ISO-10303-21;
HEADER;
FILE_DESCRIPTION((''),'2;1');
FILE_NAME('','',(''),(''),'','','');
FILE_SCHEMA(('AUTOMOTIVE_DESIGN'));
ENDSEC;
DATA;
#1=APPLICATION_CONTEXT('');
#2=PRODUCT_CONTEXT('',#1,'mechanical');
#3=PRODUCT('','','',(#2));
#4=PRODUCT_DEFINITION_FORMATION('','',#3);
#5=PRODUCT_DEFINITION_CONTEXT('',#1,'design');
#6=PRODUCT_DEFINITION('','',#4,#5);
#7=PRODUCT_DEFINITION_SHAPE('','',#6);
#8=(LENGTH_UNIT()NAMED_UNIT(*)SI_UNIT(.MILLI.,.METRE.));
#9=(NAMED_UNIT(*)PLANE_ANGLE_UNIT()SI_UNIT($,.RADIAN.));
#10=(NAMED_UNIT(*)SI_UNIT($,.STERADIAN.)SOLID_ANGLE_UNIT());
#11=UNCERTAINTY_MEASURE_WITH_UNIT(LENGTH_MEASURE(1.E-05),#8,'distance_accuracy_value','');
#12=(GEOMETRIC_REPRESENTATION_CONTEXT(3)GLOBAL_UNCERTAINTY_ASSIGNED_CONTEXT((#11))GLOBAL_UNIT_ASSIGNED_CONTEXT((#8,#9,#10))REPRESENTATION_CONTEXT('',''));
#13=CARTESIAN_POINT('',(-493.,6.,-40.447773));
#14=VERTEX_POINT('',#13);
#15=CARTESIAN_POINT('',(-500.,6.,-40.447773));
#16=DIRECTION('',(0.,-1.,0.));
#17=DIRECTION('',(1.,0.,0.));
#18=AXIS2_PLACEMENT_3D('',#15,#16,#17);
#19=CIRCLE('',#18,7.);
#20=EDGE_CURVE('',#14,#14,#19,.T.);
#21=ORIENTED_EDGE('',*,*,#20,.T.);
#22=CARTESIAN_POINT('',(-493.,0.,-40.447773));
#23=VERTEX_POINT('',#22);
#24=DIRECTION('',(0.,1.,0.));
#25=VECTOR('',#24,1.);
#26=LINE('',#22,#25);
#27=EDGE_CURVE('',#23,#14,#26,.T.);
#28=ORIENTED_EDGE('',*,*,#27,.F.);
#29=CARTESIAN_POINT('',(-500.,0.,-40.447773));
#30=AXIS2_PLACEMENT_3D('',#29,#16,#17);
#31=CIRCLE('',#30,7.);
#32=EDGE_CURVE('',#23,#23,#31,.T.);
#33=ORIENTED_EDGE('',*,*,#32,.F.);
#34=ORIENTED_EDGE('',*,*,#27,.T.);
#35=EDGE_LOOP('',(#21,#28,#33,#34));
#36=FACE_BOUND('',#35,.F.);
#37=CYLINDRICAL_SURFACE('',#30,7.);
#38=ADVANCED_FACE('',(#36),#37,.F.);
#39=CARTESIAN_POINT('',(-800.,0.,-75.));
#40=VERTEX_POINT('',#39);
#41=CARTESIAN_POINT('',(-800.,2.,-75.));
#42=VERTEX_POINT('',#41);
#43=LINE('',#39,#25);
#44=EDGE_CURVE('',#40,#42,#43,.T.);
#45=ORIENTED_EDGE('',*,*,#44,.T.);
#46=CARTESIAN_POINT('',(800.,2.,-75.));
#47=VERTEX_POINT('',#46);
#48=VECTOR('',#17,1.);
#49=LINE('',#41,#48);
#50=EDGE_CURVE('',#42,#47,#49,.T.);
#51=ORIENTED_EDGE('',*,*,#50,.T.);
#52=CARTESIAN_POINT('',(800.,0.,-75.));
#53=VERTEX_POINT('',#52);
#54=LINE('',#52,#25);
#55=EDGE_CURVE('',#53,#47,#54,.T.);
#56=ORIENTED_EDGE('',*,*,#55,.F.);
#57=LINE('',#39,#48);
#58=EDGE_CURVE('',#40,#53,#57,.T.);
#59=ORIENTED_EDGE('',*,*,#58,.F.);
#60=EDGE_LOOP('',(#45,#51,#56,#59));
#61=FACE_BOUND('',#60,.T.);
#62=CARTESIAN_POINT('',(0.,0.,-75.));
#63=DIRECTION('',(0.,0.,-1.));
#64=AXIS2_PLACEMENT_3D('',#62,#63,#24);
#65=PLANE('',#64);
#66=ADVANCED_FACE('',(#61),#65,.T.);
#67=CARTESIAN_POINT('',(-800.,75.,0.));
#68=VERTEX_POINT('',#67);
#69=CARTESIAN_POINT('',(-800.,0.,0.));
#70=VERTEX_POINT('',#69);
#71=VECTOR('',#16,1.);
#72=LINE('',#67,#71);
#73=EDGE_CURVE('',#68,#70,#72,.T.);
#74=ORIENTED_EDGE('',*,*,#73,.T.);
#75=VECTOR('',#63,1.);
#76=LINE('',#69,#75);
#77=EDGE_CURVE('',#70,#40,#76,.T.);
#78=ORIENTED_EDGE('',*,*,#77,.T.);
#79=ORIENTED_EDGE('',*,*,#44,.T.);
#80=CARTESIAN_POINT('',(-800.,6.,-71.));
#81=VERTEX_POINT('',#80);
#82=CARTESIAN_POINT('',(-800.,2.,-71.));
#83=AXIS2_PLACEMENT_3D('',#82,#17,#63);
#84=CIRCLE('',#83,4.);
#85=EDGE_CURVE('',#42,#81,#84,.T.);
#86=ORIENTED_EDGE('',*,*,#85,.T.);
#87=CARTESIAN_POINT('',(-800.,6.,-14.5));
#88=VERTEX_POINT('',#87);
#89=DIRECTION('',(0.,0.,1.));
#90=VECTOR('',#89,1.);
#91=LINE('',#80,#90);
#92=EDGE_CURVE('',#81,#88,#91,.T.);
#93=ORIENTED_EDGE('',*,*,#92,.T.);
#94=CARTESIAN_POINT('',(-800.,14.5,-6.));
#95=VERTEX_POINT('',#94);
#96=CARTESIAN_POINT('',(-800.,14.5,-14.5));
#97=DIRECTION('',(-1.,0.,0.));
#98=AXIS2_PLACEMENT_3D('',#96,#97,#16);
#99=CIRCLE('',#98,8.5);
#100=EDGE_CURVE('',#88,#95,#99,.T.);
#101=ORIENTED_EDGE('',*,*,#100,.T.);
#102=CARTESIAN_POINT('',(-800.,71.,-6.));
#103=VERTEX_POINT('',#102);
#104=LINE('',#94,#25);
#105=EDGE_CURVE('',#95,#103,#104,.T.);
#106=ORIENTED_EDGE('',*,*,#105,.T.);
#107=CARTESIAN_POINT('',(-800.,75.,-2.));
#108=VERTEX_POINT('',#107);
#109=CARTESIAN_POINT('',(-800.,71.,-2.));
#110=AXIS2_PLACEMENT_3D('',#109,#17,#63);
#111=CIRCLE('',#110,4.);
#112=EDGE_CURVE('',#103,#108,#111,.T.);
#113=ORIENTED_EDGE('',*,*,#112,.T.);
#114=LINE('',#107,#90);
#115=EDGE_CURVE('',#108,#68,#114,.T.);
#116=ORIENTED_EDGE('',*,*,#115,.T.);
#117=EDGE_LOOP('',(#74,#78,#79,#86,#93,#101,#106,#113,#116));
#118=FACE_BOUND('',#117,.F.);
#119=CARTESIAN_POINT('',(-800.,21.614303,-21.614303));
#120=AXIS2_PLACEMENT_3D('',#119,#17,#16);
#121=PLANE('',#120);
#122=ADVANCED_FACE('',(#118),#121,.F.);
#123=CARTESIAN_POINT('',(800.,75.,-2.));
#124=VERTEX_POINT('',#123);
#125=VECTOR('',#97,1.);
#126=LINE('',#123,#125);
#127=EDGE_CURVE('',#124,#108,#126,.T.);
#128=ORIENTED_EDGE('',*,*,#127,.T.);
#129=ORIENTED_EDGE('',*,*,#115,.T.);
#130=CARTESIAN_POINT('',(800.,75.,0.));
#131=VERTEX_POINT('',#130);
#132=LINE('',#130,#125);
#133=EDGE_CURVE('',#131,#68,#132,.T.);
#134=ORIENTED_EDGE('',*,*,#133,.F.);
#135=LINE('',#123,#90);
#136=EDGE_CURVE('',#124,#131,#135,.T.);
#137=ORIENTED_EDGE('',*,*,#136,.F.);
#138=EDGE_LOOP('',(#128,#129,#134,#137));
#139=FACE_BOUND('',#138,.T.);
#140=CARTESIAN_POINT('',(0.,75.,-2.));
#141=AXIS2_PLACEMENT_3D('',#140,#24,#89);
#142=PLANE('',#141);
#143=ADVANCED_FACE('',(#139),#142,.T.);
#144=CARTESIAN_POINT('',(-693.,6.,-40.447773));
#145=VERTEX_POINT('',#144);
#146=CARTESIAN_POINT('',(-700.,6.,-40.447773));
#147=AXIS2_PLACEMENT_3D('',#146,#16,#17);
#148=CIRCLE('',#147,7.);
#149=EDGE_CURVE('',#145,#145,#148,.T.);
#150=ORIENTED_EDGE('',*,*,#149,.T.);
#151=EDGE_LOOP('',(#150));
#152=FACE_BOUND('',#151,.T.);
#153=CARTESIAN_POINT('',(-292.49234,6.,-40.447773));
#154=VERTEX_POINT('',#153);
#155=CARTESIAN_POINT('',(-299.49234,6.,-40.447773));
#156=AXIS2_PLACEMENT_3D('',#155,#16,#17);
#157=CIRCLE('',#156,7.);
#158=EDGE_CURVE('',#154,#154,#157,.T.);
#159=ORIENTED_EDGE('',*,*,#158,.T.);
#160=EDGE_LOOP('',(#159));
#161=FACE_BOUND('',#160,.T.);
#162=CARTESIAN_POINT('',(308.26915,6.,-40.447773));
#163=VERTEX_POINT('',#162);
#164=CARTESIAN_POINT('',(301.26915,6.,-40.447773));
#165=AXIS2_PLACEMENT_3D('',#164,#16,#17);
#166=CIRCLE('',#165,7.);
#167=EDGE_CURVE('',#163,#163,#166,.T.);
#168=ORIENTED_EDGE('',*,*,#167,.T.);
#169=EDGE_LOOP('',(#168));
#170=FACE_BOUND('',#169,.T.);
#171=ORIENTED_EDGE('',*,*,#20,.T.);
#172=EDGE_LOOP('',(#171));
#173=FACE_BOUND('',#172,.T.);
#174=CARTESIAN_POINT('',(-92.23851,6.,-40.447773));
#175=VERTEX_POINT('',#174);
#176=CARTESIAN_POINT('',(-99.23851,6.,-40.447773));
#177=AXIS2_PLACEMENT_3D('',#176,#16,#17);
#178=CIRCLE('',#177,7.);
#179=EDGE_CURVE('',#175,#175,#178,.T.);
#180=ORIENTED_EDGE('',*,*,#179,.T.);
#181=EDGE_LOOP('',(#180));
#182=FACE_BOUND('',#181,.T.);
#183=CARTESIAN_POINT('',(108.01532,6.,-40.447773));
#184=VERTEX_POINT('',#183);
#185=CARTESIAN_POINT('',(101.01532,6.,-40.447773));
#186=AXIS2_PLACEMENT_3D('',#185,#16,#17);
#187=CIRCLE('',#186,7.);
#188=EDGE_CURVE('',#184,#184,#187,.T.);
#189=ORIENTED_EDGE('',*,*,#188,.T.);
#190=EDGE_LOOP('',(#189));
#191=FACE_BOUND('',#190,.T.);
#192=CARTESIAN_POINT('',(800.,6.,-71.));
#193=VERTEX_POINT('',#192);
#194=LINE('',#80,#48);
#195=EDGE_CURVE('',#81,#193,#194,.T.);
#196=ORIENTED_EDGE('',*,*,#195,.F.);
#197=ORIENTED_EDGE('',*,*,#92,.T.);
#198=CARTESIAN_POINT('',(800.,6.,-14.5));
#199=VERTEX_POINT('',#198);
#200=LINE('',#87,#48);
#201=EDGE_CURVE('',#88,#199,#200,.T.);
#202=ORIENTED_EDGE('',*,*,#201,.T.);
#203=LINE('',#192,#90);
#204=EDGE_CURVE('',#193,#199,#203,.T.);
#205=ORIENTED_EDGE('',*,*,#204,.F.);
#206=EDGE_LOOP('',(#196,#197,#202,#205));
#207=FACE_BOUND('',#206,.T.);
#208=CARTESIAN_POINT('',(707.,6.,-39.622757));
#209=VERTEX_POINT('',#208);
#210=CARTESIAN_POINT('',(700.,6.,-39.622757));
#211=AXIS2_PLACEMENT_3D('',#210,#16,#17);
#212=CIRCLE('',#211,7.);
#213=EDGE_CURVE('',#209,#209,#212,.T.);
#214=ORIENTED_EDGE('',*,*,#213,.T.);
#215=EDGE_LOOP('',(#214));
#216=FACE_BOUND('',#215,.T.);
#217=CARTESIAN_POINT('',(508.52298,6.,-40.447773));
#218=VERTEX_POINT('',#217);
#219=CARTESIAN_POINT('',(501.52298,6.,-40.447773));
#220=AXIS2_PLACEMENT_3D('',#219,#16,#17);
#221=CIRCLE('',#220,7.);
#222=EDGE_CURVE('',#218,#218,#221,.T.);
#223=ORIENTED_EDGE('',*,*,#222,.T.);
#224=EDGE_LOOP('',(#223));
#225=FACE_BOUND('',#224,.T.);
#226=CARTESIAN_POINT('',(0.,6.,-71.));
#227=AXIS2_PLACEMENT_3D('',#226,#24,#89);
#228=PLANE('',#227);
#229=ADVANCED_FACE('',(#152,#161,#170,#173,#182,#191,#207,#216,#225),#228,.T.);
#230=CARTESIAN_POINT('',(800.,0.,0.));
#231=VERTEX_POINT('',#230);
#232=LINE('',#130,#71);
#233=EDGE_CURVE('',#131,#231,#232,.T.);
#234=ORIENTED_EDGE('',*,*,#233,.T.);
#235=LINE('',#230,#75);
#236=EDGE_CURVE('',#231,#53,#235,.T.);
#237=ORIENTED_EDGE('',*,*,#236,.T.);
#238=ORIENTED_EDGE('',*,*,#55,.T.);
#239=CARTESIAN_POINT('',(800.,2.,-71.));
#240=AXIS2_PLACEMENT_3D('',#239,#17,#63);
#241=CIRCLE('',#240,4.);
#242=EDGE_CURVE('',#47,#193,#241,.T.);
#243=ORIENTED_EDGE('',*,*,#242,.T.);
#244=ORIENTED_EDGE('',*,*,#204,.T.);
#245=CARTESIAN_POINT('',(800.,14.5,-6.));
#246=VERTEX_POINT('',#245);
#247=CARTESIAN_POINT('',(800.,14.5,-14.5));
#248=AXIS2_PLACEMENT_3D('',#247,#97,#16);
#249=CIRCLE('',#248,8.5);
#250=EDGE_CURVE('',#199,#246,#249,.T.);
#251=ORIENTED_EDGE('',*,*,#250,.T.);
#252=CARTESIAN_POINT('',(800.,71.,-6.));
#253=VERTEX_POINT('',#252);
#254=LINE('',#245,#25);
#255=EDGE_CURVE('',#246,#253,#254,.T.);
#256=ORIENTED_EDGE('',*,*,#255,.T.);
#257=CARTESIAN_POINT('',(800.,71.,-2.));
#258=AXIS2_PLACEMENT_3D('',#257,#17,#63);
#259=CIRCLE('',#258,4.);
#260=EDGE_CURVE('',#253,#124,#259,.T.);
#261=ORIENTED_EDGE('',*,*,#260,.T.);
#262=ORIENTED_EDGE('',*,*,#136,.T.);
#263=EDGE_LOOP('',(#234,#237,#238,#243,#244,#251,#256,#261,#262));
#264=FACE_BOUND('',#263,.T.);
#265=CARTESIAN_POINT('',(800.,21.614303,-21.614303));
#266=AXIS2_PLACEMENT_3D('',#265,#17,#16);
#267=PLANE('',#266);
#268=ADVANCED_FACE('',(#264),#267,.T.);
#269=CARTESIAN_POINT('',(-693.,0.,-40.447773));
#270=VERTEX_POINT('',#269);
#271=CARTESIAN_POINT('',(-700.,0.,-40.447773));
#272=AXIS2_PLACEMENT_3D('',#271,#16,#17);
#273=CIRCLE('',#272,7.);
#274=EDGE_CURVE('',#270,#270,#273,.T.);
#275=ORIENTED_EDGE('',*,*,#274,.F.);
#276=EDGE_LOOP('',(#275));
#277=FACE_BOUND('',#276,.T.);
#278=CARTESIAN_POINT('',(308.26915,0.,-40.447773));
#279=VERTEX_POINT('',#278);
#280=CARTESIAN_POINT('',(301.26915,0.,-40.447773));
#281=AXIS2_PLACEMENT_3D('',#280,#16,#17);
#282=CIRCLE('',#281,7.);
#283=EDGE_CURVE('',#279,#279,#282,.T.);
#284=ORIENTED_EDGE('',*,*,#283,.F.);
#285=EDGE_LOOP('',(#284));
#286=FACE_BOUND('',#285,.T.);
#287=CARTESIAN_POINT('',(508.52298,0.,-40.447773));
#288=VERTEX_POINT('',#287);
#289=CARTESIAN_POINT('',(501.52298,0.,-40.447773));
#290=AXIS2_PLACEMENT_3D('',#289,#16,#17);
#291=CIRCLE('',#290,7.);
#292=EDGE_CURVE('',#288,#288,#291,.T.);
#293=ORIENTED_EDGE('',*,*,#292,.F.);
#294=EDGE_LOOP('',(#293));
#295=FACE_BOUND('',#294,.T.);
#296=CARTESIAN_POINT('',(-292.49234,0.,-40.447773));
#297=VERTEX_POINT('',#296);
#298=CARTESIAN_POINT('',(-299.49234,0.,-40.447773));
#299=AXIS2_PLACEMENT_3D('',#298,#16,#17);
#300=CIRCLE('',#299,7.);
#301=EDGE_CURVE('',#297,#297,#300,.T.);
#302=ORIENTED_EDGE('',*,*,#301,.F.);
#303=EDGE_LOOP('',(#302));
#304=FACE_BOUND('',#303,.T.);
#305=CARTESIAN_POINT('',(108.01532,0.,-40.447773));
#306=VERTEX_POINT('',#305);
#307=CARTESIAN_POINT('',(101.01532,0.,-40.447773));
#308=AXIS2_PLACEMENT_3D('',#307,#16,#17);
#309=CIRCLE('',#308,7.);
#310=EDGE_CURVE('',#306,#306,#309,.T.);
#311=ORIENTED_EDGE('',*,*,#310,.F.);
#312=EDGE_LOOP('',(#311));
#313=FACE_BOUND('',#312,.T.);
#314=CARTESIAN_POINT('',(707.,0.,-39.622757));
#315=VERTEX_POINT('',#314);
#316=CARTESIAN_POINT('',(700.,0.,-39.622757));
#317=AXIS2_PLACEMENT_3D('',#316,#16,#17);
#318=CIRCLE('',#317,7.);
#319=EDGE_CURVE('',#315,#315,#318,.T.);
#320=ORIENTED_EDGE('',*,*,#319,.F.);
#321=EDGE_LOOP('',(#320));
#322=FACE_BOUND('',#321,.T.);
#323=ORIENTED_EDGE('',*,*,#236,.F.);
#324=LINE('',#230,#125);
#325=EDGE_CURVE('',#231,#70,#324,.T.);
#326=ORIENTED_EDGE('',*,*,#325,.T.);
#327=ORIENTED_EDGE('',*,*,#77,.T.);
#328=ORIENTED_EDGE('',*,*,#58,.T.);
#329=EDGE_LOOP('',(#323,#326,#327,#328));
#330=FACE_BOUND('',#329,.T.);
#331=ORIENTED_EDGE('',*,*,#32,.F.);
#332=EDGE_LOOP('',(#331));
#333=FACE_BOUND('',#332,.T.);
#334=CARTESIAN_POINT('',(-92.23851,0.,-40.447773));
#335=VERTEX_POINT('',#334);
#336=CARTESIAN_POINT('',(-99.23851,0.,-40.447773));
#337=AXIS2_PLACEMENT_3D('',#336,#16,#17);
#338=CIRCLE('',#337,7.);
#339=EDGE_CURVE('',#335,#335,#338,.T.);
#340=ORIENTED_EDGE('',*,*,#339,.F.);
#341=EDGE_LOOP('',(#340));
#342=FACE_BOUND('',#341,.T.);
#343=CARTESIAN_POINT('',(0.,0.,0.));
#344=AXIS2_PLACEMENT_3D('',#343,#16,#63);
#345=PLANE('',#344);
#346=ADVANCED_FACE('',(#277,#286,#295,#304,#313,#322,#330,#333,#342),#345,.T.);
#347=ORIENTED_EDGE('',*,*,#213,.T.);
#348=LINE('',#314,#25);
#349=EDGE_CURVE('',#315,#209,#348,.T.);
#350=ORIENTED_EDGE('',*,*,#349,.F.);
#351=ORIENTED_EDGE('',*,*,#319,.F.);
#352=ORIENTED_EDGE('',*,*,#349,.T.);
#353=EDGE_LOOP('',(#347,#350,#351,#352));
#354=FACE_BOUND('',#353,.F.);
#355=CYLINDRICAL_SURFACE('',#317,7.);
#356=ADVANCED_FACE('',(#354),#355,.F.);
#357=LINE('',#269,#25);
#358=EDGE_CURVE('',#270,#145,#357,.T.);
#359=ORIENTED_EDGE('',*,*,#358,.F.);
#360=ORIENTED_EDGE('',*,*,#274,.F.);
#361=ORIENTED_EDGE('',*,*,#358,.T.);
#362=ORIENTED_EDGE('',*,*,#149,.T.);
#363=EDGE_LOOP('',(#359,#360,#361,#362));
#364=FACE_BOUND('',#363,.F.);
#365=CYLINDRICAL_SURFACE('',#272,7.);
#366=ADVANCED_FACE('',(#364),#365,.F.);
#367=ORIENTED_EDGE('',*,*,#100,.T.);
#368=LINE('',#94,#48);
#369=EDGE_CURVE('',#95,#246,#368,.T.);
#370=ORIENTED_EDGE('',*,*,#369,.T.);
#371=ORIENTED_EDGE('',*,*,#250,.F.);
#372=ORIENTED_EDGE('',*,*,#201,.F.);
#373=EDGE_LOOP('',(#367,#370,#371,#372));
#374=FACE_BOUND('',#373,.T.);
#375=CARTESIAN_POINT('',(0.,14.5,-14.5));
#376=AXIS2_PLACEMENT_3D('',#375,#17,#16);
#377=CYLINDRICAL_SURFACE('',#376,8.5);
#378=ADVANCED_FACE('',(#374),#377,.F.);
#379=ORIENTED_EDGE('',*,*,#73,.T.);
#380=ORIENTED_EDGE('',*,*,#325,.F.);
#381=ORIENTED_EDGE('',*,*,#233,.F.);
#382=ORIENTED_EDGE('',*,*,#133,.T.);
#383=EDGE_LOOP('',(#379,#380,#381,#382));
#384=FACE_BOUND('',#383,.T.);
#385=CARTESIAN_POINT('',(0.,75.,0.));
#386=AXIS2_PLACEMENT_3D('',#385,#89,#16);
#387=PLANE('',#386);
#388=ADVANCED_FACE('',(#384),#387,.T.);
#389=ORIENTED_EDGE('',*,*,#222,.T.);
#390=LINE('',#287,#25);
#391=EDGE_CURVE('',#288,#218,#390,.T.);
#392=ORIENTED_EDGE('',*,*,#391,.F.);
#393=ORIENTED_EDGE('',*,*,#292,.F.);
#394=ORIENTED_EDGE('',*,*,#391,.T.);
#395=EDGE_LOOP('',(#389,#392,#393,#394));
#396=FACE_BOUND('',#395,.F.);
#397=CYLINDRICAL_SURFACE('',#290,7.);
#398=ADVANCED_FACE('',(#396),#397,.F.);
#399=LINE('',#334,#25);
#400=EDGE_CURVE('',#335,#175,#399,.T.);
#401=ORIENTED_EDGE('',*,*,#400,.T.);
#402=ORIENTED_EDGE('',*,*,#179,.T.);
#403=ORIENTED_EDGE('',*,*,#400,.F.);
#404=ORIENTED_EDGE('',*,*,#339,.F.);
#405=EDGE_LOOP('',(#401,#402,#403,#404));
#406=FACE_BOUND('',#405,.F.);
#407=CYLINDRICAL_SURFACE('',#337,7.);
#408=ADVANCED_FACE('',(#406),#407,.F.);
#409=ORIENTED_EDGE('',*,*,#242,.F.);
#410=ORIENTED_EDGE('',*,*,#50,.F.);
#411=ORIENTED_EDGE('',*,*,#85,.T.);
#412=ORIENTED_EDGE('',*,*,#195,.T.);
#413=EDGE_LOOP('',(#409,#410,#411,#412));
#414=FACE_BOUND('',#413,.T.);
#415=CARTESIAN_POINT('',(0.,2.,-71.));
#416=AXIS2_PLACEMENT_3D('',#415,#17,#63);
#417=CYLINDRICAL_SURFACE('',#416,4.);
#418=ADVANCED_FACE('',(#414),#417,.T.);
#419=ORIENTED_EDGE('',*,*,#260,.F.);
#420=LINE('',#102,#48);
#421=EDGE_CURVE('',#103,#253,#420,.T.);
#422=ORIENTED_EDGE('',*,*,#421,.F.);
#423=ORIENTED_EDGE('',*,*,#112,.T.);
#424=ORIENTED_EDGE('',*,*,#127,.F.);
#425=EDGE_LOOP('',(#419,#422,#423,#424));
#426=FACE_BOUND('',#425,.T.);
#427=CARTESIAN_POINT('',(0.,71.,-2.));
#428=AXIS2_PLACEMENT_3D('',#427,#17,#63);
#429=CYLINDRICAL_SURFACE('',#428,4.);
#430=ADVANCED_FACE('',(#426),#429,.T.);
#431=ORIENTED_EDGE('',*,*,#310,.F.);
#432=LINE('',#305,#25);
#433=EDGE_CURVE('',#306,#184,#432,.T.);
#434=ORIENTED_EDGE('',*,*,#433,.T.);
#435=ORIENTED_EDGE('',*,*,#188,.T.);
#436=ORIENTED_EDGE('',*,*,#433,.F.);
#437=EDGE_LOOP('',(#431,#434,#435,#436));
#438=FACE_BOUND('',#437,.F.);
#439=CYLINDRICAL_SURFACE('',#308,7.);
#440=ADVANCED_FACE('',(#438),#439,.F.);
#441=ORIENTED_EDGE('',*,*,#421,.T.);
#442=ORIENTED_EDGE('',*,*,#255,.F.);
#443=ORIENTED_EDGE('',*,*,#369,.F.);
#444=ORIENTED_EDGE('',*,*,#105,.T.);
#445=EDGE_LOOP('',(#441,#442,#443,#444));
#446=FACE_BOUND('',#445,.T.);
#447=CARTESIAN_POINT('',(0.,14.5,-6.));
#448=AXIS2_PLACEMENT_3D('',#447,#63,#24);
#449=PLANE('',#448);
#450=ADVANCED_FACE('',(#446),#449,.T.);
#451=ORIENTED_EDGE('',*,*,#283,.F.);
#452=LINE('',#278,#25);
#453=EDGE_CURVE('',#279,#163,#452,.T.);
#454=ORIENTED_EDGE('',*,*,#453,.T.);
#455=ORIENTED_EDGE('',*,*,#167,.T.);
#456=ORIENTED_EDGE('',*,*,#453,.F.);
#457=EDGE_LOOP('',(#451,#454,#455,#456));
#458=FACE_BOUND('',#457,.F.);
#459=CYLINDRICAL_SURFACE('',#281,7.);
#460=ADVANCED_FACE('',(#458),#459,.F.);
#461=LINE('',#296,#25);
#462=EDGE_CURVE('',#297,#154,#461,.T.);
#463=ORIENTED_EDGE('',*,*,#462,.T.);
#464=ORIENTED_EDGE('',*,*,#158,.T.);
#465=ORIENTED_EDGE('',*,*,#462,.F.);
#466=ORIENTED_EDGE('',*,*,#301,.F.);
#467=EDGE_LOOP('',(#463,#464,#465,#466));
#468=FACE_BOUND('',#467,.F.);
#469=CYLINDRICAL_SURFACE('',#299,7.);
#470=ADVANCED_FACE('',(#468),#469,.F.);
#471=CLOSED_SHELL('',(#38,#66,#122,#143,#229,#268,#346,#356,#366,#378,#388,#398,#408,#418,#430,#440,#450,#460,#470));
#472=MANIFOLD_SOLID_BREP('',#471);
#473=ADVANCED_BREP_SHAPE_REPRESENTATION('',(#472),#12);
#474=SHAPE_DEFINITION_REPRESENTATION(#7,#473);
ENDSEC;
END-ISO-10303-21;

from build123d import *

# Parameters (mm, degrees)
SKETCH005_R      = 7
EXTRUDE005_DEPTH = 10
EXTRUDE004_DEPTH = 800


with BuildPart() as extrude001:
    # Sketch005 (on Face1 of Extrude004) → Extrude005 (new body)
    with BuildSketch(Plane.XZ):
        with Locations((-700, -40.447773)):
            Circle(SKETCH005_R)
        with Locations((700, -39.622757)):
            Circle(SKETCH005_R)
        with Locations((-500, -40.447773)):
            Circle(SKETCH005_R)
        with Locations((-299.49234, -40.447773)):
            Circle(SKETCH005_R)
        with Locations((-99.23851, -40.447773)):
            Circle(SKETCH005_R)
        with Locations((101.01532, -40.447773)):
            Circle(SKETCH005_R)
        with Locations((301.26915, -40.447773)):
            Circle(SKETCH005_R)
        with Locations((501.52298, -40.447773)):
            Circle(SKETCH005_R)
    extrude(amount=-EXTRUDE005_DEPTH)


with BuildPart() as angle:
    # AngleSteel006 → Extrude004 (new body, symmetric)
    with BuildSketch(Plane(origin=(0, 20.5898499587, -20.5898499587), x_dir=(0, -1, 0), z_dir=(1, 0, 0))):
        with BuildLine():
            Line((20.5898499587, -20.5898499587), (20.5898499587, 54.4101500413))
            Line((20.5898499587, 54.4101500413), (18.5898499587, 54.4101500413))
            ThreePointArc((18.5898499587, 54.4101500413), (15.761422834, 53.238577166), (14.5898499587, 50.4101500413))
            Line((14.5898499587, 50.4101500413), (14.5898499587, -6.0898499587))
            ThreePointArc((14.5898499587, -6.0898499587), (12.1002575988, -12.1002575988), (6.0898499587, -14.5898499587))
            Line((6.0898499587, -14.5898499587), (-50.4101500413, -14.5898499587))
            ThreePointArc((-50.4101500413, -14.5898499587), (-53.238577166, -15.761422834), (-54.4101500413, -18.5898499587))
            Line((-54.4101500413, -18.5898499587), (-54.4101500413, -20.5898499587))
            Line((-54.4101500413, -20.5898499587), (20.5898499587, -20.5898499587))
        make_face()
    extrude(amount=EXTRUDE004_DEPTH, both=True)

    # Cut002: cut Extrude001
    add(extrude001.part, mode=Mode.SUBTRACT)


solid = angle.part
